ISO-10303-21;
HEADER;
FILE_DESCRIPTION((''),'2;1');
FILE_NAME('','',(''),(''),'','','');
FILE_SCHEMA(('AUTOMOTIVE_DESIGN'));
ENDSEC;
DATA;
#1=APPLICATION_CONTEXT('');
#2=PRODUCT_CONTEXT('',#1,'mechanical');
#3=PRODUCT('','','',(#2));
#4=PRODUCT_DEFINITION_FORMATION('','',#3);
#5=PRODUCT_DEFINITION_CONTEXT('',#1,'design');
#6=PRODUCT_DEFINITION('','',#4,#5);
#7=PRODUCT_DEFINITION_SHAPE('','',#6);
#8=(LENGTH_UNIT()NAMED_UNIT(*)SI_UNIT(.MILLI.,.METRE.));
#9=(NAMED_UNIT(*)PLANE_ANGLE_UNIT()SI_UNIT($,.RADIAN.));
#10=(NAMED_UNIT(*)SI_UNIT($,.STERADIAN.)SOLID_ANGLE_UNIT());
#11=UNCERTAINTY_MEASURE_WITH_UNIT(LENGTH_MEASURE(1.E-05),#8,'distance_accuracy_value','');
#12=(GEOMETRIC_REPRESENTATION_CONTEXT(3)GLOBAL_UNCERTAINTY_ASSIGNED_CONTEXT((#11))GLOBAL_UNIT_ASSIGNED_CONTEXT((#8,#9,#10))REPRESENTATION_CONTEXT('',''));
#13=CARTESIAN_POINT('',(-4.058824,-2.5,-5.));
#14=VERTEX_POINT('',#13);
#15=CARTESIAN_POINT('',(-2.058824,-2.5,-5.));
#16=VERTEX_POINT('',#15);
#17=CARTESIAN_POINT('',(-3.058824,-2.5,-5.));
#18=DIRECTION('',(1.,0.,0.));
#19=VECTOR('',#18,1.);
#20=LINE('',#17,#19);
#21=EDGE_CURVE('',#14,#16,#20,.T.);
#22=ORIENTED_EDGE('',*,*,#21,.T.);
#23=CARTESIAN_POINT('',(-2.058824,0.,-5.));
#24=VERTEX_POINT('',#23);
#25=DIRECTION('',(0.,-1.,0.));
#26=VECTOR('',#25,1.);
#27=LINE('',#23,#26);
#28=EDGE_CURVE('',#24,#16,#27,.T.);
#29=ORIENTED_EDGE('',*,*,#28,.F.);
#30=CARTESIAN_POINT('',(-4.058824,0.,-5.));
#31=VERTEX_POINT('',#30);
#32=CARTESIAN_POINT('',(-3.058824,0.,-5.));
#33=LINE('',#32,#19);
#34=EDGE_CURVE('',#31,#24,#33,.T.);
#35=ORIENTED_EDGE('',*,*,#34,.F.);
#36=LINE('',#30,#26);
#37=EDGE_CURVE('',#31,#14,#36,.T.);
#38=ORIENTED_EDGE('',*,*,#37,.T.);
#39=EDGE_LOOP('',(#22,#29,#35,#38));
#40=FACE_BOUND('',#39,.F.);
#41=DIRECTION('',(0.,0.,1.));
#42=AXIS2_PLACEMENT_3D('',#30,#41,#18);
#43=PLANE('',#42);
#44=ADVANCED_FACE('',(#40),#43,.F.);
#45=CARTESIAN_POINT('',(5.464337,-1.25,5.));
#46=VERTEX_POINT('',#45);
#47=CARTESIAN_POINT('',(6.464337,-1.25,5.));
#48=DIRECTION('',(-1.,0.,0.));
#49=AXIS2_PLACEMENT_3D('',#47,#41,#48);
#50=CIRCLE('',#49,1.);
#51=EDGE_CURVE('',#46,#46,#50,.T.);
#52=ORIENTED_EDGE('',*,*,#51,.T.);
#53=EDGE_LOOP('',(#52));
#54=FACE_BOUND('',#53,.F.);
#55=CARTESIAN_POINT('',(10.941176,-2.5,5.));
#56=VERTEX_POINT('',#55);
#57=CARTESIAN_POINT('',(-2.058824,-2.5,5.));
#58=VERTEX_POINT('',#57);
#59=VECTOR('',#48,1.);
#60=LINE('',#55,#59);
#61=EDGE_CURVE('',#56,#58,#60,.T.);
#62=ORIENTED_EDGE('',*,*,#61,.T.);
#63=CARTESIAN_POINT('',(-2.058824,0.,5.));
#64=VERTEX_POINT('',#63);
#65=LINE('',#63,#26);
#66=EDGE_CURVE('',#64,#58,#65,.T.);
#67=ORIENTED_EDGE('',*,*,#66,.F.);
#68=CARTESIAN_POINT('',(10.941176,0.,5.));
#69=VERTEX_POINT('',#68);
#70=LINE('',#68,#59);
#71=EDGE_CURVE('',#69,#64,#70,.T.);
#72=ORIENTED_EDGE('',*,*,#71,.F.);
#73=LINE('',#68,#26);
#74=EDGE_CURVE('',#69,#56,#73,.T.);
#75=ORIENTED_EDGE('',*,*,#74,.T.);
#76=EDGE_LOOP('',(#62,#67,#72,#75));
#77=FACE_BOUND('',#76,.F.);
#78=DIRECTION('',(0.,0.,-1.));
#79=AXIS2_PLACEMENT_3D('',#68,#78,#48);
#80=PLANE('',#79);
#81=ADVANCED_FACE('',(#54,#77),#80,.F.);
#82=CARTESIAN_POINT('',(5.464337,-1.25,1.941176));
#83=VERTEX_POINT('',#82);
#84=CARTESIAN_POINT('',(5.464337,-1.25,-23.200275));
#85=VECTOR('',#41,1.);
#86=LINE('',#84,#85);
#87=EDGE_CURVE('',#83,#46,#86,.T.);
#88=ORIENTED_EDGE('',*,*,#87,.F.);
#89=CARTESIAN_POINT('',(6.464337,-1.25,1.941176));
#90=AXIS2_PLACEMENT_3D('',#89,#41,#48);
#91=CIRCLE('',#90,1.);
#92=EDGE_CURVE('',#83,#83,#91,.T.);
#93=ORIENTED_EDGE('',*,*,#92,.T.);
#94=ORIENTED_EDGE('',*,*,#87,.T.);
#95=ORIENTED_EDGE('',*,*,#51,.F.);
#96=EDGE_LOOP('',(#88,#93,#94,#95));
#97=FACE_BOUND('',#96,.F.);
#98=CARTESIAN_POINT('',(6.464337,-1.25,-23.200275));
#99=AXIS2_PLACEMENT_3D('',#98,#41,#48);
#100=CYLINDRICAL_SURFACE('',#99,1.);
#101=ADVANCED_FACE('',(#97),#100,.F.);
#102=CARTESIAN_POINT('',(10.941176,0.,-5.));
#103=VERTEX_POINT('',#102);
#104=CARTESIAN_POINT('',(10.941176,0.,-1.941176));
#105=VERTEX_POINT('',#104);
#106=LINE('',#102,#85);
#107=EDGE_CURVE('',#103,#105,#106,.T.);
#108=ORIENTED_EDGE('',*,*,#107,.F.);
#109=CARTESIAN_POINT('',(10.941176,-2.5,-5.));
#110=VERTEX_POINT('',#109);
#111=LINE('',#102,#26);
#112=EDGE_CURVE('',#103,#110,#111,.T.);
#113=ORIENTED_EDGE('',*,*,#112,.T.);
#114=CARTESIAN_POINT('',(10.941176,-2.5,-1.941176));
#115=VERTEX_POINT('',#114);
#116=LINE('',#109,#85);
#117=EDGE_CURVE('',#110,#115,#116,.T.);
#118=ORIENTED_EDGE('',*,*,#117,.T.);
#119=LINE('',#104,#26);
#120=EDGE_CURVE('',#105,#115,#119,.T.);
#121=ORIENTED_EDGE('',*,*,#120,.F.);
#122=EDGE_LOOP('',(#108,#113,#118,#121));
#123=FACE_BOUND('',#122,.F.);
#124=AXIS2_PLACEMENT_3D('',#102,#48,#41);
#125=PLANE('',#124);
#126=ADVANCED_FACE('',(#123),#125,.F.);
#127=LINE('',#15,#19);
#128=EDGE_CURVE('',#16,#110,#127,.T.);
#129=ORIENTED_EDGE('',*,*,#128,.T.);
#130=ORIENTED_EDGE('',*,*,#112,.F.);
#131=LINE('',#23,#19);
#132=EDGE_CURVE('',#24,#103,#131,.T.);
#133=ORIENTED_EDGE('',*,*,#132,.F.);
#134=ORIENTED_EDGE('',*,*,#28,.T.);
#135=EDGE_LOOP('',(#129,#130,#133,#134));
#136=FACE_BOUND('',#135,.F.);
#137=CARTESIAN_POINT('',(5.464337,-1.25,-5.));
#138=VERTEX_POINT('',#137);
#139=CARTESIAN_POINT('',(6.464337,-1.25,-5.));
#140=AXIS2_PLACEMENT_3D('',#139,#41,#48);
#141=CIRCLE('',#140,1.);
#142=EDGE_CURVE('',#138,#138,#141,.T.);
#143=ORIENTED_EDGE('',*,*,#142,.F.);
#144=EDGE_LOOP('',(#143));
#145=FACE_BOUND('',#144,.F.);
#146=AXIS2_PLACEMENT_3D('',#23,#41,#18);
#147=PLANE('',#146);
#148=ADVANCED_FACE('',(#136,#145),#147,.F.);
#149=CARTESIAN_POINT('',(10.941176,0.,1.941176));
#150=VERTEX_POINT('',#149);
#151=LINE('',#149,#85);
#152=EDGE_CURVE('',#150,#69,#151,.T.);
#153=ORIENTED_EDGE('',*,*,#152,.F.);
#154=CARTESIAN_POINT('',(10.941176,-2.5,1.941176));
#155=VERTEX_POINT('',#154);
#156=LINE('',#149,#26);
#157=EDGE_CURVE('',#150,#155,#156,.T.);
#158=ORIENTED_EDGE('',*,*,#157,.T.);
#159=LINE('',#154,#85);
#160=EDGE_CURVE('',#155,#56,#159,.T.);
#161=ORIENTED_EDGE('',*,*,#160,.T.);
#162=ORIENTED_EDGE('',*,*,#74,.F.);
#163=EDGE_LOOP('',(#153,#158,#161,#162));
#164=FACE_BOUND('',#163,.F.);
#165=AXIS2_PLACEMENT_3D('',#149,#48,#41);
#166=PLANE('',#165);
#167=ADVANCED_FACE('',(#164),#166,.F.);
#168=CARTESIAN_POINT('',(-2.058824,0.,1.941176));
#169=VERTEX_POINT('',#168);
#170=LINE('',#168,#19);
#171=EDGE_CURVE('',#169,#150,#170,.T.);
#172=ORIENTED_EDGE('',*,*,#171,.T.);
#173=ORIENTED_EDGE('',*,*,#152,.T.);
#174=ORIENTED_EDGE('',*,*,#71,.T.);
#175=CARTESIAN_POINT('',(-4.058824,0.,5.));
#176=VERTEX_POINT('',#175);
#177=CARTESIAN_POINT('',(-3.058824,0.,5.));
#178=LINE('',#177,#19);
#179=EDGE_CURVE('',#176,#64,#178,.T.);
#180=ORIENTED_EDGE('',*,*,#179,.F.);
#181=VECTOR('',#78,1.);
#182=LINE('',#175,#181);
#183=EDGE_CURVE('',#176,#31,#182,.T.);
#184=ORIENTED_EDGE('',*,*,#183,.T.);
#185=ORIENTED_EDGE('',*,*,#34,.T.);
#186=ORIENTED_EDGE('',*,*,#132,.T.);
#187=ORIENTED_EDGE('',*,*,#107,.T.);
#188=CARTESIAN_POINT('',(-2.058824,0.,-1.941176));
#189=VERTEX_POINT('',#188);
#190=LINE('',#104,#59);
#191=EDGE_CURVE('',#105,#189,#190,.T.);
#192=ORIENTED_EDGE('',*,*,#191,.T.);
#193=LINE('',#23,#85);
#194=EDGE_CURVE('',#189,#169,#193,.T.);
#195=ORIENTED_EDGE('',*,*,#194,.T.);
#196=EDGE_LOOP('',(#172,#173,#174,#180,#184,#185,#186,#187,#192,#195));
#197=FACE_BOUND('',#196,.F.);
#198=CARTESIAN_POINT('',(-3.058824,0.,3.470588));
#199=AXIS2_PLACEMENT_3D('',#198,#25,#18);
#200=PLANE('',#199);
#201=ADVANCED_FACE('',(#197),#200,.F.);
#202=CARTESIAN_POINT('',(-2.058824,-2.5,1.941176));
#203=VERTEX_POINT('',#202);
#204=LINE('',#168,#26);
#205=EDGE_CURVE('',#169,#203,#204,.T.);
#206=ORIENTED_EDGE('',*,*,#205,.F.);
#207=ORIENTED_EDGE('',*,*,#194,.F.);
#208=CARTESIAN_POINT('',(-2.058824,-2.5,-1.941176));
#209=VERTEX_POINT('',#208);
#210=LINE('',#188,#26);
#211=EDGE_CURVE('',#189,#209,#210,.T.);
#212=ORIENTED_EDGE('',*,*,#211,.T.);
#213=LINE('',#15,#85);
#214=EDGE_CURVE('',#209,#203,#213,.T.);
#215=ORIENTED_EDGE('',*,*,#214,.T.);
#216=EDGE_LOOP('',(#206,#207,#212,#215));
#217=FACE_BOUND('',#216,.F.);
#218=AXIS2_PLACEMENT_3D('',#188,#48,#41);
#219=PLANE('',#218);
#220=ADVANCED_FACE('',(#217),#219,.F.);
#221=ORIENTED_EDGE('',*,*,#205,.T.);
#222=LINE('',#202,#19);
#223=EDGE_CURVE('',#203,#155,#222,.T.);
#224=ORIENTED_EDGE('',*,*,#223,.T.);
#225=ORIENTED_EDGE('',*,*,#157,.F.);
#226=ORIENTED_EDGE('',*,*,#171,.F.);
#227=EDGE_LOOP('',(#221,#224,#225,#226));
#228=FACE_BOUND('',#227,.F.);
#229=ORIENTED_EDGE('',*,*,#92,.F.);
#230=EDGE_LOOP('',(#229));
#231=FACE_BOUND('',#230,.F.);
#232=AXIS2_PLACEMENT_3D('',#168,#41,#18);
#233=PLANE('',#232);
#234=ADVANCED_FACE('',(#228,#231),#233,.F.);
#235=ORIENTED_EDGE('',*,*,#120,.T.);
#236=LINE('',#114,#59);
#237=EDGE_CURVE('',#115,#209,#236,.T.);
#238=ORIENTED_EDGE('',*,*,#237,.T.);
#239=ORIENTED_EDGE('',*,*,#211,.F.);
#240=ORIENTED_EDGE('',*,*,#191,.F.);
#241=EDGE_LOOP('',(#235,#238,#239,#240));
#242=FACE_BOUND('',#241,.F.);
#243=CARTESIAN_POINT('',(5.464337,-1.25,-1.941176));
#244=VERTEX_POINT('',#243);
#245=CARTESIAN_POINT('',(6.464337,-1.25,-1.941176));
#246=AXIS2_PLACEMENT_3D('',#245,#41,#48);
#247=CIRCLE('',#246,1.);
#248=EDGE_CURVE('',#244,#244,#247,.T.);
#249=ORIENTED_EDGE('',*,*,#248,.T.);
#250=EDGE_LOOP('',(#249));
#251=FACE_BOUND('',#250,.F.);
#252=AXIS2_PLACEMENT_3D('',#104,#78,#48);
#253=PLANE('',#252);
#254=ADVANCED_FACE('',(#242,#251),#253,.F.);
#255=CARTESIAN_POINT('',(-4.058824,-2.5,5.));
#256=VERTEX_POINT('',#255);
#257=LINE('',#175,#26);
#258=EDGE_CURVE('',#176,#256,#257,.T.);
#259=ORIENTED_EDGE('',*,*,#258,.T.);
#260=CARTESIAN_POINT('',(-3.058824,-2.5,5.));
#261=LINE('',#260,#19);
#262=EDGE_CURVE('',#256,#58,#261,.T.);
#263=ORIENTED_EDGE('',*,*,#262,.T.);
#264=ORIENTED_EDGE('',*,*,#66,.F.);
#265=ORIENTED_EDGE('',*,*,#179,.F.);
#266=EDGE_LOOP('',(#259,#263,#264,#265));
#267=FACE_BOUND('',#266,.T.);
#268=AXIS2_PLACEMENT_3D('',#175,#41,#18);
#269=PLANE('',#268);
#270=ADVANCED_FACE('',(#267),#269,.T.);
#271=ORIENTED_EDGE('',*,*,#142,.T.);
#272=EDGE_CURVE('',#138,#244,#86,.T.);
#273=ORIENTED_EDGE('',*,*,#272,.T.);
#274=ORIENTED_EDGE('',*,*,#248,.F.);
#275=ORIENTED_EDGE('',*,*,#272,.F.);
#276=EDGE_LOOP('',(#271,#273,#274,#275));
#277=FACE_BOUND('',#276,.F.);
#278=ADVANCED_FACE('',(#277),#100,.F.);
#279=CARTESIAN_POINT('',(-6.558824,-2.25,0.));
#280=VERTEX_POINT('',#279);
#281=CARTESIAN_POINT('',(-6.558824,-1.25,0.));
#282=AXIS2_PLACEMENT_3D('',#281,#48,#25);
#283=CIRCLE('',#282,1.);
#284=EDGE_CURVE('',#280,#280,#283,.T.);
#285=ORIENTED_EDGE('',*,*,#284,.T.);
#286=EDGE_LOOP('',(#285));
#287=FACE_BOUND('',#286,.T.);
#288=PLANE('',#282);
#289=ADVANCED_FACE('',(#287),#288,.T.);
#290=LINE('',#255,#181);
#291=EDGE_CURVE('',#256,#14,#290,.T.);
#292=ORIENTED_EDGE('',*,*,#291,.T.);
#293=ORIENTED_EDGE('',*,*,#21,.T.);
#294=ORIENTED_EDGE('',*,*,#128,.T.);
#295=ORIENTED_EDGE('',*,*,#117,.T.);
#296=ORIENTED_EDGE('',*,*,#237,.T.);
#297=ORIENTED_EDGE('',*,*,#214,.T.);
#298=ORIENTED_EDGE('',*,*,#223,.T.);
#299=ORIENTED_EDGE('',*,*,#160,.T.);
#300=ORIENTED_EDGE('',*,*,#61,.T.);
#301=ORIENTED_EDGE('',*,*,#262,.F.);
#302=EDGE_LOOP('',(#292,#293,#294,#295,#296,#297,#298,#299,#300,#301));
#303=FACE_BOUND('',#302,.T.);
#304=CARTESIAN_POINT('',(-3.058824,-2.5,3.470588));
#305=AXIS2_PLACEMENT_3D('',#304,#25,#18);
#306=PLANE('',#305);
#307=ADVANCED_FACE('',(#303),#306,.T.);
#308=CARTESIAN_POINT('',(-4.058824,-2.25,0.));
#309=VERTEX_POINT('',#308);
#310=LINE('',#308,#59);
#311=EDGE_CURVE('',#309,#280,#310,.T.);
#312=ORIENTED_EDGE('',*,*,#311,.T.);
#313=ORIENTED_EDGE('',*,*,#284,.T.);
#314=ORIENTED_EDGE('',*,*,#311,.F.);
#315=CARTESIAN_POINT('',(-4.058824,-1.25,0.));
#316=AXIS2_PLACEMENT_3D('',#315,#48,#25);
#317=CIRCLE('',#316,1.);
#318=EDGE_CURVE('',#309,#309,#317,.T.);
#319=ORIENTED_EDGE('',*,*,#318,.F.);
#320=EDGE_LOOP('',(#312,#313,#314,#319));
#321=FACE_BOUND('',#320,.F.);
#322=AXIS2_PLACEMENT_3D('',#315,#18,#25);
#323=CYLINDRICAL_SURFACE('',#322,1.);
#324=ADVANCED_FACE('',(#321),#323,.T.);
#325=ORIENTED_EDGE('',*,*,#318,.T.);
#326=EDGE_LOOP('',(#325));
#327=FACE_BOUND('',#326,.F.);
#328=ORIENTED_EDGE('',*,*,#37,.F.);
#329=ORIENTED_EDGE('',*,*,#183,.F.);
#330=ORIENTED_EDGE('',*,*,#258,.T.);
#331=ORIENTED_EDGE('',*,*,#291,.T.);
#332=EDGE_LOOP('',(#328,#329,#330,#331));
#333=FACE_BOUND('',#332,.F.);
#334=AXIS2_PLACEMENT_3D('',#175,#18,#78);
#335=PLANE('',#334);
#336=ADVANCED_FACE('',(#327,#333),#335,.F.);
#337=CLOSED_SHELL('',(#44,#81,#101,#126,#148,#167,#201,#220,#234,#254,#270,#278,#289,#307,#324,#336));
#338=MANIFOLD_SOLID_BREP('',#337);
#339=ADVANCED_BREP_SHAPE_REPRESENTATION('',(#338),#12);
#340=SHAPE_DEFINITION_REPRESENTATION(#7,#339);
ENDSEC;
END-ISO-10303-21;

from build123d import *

# Parameters (mm, degrees)
F2_W     = 2
F2_H     = 3.0588235933
F2_H_2   = 3.8823528133
F3_DEPTH = 2.5
F5_D     = 2
F6_R     = 1
F7_DEPTH = 2.5


with BuildPart() as f3:
    # F2 (on Front) → F3 (new body)
    with BuildSketch(Plane.XZ):
        with Locations((-3.058823533, 3.4705882033)):
            Rectangle(F2_W, F2_H)
        Polygon((-0.058823533, 5), (-2.058823533, 5), (-2.058823533, 1.9411764067), (10.941176467, 1.9411764067), (10.941176467, 5), align=None)
        with Locations((-3.058823533, 0)):
            Rectangle(F2_W, F2_H_2)
        with Locations((-3.058823533, -3.4705882033)):
            Rectangle(F2_W, F2_H)
        Polygon((10.941176467, -1.9411764067), (-2.058823533, -1.9411764067), (-2.058823533, -5), (-0.058823533, -5), (10.941176467, -5), align=None)
    extrude(amount=F3_DEPTH)

    # F5 (through all)
    with Locations(Plane(origin=(0, 0, -5), x_dir=(1, 0, 0), z_dir=(0, 0, -1))):
        with Locations((6.4643374644, 1.25)):
            Hole(F5_D / 2)

    # F6 (on face) → F7 (join)
    with BuildSketch(Plane(origin=(-4.058823533, 0, 0), x_dir=(0, -1, 0), z_dir=(-1, 0, 0))):
        with Locations((1.25, 0)):
            Circle(F6_R)
    extrude(amount=F7_DEPTH)


solid = f3.part
